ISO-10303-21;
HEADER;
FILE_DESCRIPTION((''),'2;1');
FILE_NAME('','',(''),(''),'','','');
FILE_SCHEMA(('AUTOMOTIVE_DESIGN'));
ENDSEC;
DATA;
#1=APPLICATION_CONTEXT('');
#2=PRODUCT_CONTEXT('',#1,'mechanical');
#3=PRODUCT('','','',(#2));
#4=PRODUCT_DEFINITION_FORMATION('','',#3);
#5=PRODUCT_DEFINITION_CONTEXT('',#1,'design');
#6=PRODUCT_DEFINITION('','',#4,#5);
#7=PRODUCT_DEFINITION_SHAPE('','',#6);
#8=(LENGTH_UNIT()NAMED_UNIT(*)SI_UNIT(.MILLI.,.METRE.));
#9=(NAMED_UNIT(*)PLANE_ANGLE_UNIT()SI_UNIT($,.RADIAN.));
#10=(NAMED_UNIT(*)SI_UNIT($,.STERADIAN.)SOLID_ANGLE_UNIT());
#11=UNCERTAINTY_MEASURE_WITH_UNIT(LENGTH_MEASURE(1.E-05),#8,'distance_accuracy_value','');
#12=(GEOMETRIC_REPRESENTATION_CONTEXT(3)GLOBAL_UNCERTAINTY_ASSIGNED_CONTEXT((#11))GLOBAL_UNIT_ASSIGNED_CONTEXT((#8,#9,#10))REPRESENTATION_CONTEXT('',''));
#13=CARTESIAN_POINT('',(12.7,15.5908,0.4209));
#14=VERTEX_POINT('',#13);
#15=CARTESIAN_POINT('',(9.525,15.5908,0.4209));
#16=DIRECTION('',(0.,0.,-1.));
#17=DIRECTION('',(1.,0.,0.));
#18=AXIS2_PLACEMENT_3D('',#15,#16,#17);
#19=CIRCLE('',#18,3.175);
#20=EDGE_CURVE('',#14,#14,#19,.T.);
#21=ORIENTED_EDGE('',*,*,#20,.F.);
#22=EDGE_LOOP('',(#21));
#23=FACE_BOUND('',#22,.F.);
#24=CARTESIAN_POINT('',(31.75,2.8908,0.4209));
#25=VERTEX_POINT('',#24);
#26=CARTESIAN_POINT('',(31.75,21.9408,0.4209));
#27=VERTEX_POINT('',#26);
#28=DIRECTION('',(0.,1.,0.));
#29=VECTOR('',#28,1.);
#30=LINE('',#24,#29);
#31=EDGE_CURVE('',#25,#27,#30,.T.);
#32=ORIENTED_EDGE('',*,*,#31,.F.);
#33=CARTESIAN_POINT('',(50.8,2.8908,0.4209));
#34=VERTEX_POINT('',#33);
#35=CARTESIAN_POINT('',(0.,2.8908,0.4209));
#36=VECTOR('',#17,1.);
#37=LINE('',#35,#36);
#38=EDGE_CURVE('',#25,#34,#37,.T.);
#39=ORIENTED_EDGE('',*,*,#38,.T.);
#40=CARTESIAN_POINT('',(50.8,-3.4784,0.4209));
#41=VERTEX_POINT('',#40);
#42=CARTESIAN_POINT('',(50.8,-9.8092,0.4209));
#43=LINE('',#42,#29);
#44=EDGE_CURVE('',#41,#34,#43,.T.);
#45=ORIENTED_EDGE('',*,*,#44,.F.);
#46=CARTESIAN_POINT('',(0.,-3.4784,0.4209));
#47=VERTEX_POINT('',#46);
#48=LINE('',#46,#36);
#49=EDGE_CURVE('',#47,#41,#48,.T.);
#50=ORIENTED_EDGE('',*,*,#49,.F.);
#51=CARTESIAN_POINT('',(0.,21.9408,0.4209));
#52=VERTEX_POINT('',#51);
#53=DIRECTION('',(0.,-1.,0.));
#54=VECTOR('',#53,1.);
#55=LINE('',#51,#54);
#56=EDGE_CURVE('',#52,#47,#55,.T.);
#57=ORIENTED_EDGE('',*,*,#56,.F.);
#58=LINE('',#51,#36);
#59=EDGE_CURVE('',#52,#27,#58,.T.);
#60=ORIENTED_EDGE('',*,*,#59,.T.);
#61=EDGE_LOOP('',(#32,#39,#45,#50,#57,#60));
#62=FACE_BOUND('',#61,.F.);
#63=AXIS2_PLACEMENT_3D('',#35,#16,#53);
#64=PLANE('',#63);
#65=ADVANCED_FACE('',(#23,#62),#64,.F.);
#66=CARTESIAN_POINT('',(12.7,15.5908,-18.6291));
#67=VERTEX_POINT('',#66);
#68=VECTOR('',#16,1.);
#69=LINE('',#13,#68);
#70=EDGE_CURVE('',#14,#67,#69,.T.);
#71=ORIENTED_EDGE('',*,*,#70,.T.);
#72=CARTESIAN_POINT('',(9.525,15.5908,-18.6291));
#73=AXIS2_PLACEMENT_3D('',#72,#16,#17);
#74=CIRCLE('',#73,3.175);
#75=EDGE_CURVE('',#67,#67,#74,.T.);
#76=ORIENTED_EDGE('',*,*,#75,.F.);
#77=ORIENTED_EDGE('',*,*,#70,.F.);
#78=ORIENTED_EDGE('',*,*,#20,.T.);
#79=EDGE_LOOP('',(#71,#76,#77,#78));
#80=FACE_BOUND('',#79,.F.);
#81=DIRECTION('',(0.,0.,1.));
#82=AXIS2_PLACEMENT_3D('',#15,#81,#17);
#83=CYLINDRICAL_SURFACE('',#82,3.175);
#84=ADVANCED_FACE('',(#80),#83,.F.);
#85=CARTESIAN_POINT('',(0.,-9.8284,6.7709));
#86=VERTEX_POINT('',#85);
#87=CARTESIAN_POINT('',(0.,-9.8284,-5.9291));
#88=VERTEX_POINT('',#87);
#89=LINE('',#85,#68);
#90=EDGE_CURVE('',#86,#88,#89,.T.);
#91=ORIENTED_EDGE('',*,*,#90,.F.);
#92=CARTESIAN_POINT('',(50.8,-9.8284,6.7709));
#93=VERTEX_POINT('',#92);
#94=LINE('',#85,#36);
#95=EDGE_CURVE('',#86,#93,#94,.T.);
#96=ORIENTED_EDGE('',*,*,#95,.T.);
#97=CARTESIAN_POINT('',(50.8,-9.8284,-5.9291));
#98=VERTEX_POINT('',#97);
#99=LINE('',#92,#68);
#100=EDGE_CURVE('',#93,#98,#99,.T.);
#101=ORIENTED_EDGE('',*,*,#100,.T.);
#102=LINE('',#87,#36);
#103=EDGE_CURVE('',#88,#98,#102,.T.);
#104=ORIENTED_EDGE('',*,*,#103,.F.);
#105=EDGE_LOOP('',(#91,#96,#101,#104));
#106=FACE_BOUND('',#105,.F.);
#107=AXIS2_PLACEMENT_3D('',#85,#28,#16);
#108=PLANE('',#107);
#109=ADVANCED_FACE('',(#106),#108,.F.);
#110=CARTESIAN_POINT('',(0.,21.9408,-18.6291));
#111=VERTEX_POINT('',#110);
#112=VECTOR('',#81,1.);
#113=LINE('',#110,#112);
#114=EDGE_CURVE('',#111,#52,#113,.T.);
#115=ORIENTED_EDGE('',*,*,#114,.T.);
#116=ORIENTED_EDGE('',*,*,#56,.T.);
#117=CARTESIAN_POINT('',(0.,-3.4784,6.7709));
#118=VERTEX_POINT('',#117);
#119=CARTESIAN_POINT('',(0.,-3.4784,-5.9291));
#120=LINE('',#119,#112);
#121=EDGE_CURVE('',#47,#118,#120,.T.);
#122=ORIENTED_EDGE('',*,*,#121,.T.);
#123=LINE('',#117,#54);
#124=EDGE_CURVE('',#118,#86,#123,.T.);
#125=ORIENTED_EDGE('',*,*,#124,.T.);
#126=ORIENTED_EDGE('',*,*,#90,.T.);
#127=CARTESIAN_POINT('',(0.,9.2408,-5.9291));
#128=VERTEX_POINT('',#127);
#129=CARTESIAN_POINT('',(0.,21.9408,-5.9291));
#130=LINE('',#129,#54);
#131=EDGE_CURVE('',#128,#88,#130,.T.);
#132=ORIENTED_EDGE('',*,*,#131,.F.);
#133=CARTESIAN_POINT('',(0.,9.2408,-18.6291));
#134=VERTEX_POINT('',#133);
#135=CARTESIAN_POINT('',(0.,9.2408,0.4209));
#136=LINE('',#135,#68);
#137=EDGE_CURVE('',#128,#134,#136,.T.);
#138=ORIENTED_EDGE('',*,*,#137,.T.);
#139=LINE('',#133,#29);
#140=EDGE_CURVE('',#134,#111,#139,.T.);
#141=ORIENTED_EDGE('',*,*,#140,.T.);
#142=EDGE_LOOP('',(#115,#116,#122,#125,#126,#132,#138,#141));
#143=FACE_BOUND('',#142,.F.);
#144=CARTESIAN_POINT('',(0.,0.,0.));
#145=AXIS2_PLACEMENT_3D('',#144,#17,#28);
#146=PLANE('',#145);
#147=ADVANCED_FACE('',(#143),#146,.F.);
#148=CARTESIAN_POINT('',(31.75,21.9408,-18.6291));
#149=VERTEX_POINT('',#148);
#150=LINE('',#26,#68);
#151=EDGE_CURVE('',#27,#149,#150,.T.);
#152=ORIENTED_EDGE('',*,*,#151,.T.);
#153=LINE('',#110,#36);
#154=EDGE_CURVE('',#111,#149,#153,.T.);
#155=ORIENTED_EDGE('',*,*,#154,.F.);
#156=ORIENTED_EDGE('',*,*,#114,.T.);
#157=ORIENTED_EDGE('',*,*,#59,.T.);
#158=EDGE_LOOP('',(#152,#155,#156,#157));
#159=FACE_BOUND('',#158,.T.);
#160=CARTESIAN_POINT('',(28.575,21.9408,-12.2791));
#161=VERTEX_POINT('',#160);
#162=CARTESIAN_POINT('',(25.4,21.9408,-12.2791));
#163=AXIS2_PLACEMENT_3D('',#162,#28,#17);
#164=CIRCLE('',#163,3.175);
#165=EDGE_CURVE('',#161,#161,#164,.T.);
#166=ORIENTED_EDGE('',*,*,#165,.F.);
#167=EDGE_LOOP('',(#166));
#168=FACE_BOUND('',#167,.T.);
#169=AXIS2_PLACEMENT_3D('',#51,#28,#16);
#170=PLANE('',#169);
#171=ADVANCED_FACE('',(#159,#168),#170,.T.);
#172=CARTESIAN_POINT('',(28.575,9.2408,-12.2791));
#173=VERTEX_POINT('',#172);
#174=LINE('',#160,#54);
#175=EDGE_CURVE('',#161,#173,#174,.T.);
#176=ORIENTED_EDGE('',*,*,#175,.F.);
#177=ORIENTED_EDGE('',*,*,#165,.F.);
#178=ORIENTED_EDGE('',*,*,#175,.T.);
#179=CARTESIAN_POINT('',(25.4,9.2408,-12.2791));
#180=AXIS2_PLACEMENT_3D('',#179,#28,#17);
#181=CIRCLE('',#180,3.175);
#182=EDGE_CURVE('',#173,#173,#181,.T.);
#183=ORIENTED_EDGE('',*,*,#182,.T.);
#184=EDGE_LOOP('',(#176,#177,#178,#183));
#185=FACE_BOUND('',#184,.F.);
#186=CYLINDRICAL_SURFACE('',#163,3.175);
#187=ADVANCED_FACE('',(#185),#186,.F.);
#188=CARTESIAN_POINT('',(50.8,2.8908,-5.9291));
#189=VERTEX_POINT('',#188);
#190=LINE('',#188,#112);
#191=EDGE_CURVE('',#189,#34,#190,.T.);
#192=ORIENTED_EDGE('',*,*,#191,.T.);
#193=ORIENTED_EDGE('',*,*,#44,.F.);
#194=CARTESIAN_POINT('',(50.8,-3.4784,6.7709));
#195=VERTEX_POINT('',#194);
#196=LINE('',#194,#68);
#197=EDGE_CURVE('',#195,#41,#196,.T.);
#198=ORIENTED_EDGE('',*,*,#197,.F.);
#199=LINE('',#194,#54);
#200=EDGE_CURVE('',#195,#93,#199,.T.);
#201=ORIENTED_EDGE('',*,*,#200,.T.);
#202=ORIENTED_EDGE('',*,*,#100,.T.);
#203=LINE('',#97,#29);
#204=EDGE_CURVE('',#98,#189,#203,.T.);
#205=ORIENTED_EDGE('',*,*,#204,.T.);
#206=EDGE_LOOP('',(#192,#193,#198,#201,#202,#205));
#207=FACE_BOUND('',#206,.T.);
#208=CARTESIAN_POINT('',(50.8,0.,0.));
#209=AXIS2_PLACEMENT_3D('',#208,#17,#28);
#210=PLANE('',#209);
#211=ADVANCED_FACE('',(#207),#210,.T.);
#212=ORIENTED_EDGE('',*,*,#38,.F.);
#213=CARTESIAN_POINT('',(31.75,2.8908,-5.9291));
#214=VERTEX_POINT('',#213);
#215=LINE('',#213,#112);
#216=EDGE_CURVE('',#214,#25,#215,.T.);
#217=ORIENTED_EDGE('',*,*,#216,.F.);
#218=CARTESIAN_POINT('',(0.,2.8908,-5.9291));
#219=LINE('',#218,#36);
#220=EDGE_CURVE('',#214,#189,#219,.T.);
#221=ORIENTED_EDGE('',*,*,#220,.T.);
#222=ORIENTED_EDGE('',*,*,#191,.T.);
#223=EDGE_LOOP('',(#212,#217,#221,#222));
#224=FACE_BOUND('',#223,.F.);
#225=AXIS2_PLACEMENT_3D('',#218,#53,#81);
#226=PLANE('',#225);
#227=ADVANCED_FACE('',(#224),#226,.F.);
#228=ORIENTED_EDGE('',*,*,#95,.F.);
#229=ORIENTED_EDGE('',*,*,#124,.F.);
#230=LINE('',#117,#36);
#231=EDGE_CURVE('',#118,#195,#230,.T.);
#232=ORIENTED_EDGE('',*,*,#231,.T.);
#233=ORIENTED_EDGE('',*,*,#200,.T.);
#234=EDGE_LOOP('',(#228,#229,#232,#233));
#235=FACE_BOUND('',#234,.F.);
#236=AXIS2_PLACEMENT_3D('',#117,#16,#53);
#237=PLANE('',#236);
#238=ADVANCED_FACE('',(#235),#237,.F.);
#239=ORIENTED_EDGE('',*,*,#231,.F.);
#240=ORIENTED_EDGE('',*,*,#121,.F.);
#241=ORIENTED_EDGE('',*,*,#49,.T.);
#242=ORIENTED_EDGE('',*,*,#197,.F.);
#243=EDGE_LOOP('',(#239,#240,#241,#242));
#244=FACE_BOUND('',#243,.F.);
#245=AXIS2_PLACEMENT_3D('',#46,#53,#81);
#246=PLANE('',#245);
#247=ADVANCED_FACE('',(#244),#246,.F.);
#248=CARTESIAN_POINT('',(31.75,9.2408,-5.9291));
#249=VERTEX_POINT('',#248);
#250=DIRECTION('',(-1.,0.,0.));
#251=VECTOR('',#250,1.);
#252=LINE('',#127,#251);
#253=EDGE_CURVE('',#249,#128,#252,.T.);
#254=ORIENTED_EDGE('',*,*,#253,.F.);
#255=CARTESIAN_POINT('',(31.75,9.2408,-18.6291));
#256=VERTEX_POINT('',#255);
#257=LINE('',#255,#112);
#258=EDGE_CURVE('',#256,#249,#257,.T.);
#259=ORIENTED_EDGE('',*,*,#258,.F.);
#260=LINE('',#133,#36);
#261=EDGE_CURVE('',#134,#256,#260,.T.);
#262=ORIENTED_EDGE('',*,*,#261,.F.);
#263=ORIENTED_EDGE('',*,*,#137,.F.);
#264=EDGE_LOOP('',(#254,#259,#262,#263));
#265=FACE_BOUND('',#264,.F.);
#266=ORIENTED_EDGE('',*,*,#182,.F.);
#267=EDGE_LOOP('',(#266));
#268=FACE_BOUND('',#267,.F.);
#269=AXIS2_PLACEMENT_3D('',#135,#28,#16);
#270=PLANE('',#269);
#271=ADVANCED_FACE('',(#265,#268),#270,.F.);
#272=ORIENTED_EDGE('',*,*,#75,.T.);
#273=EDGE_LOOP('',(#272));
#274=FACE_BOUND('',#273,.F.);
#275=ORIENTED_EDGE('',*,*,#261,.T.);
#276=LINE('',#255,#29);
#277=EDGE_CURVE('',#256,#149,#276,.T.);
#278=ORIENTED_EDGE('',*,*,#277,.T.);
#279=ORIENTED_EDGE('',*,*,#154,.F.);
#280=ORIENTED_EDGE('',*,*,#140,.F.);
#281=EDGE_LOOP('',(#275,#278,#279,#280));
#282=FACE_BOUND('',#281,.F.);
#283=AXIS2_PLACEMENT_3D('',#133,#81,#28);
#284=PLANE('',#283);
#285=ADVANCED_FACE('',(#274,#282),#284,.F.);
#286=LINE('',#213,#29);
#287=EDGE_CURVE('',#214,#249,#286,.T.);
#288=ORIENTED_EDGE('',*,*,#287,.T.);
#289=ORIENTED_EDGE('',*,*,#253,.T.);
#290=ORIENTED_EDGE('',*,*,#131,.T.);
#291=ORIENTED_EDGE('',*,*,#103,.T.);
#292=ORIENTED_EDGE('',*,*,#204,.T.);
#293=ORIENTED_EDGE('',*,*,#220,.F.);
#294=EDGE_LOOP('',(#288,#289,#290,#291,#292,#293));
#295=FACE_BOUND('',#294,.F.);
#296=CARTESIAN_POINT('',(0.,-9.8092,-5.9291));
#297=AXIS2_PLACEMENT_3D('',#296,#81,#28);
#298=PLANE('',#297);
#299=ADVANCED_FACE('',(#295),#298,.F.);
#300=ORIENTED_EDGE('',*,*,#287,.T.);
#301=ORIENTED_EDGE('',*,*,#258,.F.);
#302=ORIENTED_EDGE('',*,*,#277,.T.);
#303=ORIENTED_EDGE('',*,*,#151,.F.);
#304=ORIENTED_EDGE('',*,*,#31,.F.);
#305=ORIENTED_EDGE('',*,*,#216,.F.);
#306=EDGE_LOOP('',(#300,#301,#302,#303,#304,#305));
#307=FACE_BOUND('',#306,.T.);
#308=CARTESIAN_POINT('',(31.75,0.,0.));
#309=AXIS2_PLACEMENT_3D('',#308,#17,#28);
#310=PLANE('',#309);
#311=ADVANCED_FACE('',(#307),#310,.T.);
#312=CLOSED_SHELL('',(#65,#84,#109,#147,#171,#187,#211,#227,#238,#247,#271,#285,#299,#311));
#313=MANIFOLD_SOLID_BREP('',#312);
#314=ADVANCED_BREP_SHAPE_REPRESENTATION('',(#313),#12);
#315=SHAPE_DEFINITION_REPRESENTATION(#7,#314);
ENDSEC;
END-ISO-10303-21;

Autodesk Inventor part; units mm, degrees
ref_plane "YZ Plane" through (0, 0, 0) normal (1, 0, 0) x (0, 1, 0)
ref_plane "XZ Plane" through (0, 0, 0) normal (0, 1, 0) x (-1, 0, 0)
ref_plane "XY Plane" through (0, 0, 0) normal (0, 0, 1) x (1, 0, 0)
sketch "Sketch1" plane through (0, 0, 0) normal (1, 0, 0) x (0, 1, 0)
  line L0 (-3.4784, 6.7709) -> (-9.8284, 6.7709)
  line L1 (-9.8284, 6.7709) -> (-9.8284, -5.9291)
  line L2 (-9.8284, -5.9291) -> (-3.4784, -5.9291)
  line L3 (-3.4784, -5.9291) -> (-3.4784, 6.7709)
  line L4 (-9.8092, -5.9291) -> (2.8908, -5.9291)
  line L5 (2.8908, -5.9291) -> (2.8908, 0.4209)
  line L6 (2.8908, 0.4209) -> (-9.8092, 0.4209)
  line L7 (-9.8092, 0.4209) -> (-9.8092, -5.9291)
  line L8 (2.8908, 0.4209) -> (21.9408, 0.4209)
  line L9 (21.9408, 0.4209) -> (21.9408, -5.9291)
  line L10 (21.9408, -5.9291) -> (2.8908, -5.9291)
  line L11 (2.8908, -5.9291) -> (2.8908, 0.4209)
  line L12 (21.9408, 0.4209) -> (9.2408, 0.4209)
  line L13 (9.2408, 0.4209) -> (9.2408, -18.6291)
  line L14 (9.2408, -18.6291) -> (21.9408, -18.6291)
  line L15 (21.9408, -18.6291) -> (21.9408, 0.4209)
  point P0 (0, 0)
  dimension "d0" = 6.35
  dimension "d1" = 12.7
  dimension "d2" = 12.7
  dimension "d3" = 6.35
  dimension "d4" = 19.05
  dimension "d5" = 6.35
  dimension "d6" = 12.7
  dimension "d7" = 19.05
extrude "Extrusion1" add sketch "Sketch1" along normal blind 50.8 contours L3 L6 L7 L2 L1 L0 | L3 L2 L7 L6
extrude "Extrusion2" add sketch "Sketch1" along normal blind 31.75 contours L8 L13 L10 L5 | L8 L9 L10 L13
extrude "Extrusion3" cut sketch "Sketch1" along normal blind 50.8 contours L6 L5 L4 L3 | L3 L2 L7 L6
extrude "Extrusion4" add sketch "Sketch1" along normal blind 50.8 contours L6 L5 L4 L3 | L3 L2 L7 L6
extrude "Extrusion5" cut sketch "Sketch1" along normal blind 31.75 contours L8 L9 L10 L13 | L10 L15 L14 L13
extrude "Extrusion6" add sketch "Sketch1" along normal blind 31.75 contours L8 L9 L10 L13 | L10 L15 L14 L13
sketch "Sketch2" plane through (0, 21.9408, 0.4209) normal (0, 1, 0) x (1, 0, 0)
  line L0 (31.75, 12.7) -> (31.75, 19.05)
  circle A0 centre (25.4, 12.7) radius 3.175
  point P0 (0, 0.4209)
  dimension "d22" = 6.35
extrude "Extrusion7" cut sketch "Sketch2" against normal blind 12.7
sketch "Sketch3" plane through (0, -3.4784, 0.4209) normal (0, 0, 1) x (1, 0, 0)
  line L0 (0, 12.7192) -> (0, 25.4192) projected
  line L1 (0, 25.4192) -> (6.35, 25.4192)
  line L2 (0, 19.0692) -> (0, 25.4192)
  line L3 (6.35, 25.4192) -> (9.525, 25.4192)
  line L4 (9.525, 19.0692) -> (6.35, 19.0692)
  circle A0 centre (9.525, 19.0692) radius 3.175
  point P0 (0, 3.4784)
  dimension "d27" = 3.175
  dimension "d28" = 6.35
  dimension "d29" = 6.35
extrude "Extrusion8" cut sketch "Sketch3" against normal blind 25.4
